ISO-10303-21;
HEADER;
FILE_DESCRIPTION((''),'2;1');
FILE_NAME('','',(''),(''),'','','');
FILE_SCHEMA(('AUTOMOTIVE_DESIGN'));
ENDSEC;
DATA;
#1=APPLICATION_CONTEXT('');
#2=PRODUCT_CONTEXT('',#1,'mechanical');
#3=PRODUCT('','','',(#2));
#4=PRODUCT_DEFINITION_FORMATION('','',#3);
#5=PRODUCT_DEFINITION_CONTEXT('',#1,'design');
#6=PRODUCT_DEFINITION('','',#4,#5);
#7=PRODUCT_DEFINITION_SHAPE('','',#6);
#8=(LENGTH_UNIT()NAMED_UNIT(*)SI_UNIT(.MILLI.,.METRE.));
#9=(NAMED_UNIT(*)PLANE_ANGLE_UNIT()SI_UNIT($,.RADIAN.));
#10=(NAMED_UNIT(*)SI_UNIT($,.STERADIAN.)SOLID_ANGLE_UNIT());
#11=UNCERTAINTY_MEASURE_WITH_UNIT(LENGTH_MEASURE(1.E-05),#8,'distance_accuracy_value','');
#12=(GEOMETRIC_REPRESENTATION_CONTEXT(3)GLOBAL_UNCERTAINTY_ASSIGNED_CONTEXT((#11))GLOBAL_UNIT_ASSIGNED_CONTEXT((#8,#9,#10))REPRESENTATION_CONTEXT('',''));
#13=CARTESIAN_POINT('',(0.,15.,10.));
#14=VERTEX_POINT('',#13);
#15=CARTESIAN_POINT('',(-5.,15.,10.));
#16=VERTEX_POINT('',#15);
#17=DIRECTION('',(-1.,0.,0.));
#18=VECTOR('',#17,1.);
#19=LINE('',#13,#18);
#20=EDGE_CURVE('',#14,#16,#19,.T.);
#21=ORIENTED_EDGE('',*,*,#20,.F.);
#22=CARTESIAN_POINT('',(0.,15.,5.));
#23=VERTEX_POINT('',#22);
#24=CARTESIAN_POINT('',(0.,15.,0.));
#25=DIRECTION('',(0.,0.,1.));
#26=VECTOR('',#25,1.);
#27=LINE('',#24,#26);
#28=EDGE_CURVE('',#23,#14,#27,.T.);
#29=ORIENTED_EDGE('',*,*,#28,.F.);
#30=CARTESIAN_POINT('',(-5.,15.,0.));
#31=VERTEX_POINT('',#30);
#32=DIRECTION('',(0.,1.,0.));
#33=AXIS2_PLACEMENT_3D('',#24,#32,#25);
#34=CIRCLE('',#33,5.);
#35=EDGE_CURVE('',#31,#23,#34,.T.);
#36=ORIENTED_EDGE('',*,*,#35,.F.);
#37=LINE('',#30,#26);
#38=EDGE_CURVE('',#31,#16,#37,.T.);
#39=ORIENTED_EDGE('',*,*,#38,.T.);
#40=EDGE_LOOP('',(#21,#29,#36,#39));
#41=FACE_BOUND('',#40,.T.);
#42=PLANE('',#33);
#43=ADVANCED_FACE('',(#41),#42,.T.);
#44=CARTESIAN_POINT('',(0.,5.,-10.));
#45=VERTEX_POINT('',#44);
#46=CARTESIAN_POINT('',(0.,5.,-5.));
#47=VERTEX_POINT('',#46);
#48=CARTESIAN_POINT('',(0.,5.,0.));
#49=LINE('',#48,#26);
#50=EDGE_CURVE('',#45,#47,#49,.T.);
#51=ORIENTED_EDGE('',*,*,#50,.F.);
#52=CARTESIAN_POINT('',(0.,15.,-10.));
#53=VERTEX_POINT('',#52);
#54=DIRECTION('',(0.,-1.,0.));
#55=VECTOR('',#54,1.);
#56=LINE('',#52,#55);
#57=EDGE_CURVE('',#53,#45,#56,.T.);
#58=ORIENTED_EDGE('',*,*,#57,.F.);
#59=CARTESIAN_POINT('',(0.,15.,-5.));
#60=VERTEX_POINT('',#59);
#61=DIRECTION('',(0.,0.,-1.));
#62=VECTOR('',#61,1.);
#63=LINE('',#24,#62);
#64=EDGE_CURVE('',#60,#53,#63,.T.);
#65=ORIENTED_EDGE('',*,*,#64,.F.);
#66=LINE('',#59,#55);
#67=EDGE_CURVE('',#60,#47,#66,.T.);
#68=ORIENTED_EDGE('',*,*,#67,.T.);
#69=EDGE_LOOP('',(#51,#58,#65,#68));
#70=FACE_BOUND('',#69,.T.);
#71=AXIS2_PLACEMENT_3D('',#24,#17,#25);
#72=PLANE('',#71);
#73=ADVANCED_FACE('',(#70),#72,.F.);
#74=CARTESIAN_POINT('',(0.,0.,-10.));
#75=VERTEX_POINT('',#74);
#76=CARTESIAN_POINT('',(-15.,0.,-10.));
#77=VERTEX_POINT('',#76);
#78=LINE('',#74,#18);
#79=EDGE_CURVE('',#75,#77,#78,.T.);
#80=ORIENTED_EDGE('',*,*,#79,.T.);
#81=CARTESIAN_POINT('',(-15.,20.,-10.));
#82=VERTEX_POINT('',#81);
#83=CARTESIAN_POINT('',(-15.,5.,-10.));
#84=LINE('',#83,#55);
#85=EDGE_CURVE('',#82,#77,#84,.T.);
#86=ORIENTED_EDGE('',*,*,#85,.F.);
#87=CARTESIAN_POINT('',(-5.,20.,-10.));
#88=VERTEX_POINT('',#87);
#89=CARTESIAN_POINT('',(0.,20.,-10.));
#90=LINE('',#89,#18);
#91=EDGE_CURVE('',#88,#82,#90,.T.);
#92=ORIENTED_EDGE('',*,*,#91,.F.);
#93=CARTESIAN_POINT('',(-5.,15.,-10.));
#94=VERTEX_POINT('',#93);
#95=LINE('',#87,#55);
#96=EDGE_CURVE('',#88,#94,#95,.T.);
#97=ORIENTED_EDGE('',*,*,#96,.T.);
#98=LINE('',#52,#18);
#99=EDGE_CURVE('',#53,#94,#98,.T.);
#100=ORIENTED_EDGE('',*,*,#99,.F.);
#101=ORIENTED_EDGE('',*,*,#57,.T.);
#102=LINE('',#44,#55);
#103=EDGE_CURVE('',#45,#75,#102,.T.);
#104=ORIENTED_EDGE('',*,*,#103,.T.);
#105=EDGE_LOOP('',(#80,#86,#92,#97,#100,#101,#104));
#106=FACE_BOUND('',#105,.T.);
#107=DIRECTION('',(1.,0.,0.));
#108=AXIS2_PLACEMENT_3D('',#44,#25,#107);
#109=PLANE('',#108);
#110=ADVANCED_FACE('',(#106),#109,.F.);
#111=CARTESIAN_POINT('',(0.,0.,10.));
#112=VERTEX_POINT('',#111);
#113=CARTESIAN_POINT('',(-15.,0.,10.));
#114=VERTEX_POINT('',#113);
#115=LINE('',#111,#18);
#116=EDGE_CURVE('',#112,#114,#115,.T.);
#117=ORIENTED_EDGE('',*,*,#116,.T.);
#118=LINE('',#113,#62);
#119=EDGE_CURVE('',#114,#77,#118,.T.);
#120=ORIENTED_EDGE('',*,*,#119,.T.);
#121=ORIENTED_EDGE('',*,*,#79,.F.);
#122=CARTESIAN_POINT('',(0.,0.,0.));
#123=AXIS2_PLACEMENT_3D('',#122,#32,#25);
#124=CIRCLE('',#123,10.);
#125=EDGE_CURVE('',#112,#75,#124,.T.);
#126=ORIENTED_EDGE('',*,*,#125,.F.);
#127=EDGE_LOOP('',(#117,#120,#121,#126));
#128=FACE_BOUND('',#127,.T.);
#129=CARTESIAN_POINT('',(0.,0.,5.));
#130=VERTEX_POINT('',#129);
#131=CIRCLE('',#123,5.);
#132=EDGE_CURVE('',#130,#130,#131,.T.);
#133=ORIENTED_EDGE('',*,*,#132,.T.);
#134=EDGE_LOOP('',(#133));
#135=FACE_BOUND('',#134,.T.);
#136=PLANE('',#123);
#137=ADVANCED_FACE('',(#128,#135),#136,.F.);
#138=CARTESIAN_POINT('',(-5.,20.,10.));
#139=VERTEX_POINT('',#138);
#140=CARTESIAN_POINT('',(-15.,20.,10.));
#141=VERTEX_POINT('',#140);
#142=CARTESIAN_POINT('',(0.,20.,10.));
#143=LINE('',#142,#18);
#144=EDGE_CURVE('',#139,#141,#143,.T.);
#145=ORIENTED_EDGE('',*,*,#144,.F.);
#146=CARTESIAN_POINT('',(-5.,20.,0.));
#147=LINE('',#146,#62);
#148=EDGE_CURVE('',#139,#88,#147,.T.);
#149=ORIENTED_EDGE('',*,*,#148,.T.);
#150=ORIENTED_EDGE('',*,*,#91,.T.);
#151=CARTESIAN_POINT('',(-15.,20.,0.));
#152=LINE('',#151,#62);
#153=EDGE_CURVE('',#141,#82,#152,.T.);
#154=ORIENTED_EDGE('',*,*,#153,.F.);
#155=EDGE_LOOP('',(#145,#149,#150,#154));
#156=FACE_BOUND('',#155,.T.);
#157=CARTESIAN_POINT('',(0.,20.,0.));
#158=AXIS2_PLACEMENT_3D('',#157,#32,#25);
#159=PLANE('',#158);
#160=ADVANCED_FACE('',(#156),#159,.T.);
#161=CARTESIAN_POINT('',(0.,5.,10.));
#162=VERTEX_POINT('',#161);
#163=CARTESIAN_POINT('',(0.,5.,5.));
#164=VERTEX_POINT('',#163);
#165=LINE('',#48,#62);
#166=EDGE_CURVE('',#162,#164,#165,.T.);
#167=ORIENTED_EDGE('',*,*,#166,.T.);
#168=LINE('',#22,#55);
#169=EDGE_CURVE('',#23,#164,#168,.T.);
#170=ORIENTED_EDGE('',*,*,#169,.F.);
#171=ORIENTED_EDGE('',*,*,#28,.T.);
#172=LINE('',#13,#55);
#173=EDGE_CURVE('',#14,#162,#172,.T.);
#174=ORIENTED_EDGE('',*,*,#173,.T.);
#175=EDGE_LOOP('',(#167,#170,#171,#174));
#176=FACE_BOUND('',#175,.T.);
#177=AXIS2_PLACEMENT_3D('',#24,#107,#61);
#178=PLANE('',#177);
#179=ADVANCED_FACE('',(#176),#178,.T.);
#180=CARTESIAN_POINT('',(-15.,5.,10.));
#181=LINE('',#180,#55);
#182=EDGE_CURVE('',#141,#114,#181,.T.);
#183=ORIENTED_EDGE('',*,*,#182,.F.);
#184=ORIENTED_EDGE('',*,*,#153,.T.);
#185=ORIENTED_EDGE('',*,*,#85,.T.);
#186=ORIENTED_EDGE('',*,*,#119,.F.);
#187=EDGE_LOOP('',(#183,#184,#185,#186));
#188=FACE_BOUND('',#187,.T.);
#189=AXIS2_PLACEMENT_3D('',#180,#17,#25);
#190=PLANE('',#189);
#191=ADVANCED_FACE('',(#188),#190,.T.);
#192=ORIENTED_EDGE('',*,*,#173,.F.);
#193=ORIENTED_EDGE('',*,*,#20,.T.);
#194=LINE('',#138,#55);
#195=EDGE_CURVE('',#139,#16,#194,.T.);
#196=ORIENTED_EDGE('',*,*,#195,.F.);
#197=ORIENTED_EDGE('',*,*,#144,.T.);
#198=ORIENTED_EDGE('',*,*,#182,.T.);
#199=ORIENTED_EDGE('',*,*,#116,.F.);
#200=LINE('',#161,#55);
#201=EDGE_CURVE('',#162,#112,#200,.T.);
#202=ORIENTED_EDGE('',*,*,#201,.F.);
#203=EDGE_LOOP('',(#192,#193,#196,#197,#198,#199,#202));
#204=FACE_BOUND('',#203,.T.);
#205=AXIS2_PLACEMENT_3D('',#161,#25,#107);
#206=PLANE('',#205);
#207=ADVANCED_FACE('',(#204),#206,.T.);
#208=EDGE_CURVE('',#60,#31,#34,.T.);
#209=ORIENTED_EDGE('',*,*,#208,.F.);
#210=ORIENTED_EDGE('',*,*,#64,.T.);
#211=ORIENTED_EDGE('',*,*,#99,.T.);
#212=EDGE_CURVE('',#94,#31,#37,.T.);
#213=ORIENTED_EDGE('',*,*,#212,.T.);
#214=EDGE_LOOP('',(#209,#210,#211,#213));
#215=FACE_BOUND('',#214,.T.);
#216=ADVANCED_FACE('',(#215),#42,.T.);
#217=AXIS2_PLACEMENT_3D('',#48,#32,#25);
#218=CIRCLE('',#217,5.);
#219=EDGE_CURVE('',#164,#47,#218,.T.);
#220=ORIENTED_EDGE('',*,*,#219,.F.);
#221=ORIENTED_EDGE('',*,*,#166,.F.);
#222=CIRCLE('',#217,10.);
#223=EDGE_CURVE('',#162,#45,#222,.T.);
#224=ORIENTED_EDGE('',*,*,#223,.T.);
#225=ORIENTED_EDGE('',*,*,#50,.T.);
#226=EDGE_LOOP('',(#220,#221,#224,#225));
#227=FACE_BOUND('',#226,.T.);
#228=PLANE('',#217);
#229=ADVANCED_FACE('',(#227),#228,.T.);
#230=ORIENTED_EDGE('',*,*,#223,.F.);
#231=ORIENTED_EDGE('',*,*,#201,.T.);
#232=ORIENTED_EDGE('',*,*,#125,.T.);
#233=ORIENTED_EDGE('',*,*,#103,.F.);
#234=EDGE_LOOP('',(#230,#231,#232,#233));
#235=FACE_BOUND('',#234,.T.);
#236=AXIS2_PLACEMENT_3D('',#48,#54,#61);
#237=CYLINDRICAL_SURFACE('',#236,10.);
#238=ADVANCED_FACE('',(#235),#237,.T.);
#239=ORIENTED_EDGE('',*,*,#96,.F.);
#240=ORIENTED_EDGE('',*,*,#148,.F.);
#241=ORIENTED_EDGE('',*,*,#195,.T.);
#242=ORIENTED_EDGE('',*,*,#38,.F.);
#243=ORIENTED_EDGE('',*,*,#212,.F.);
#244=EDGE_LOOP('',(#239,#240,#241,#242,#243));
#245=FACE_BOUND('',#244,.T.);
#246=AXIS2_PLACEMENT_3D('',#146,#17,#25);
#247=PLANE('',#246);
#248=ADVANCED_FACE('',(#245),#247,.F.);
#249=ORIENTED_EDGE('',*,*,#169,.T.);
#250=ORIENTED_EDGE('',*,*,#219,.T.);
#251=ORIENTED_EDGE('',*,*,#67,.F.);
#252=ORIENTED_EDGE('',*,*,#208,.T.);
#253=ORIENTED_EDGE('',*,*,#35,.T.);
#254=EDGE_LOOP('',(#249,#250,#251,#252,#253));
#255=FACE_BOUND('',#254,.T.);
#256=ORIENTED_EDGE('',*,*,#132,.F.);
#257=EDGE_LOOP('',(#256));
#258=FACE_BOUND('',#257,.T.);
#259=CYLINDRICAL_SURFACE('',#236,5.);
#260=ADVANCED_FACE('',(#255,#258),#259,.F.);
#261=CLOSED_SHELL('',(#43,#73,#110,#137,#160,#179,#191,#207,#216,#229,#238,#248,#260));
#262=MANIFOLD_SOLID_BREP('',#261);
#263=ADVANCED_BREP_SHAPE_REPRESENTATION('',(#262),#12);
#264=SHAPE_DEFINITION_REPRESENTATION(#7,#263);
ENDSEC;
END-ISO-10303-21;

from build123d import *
from build123d.topology import SkipClean

# Parameters (mm, degrees)
SKETCH_1_R      = 5.000000000000002
EXTRUDE_2_DEPTH = 5
EXTRUDE_4_DEPTH = 15
EXTRUDE_5_DEPTH = 20


with BuildPart() as part:
    # 草圖1 → 填料-伸長2 (new body)
    with BuildSketch(Plane(origin=(0, 0, 0), x_dir=(1, 0, 0), z_dir=(0, 1, 0))):
        with BuildLine():
            Line((-15, -10.000000000000002), (0, -10))
            ThreePointArc((0, -10), (10, 2.8e-16), (1.22e-15, 10))
            Line((4.1e-16, 10), (-15, 10))
            Line((-15, 9.999999999999998), (-15, -10.000000000000002))
        make_face()
        Circle(SKETCH_1_R, mode=Mode.SUBTRACT)
    extrude(amount=EXTRUDE_2_DEPTH)

    # 草圖1<4> → 填料-伸長4 (add)
    with BuildSketch(Plane(origin=(0, 0, 0), x_dir=(1, 0, 0), z_dir=(0, 1, 0))):
        with BuildLine():
            Line((-15, -10.000000000000002), (0, -10))
            Line((0, -10), (0, -5))
            ThreePointArc((0, -5), (-5, -3.1e-16), (-6.1e-16, 5))
            Line((0, 5), (0, 10))
            Line((4.1e-16, 10), (-15, 10))
            Line((-15, 9.999999999999998), (-15, -10.000000000000002))
        make_face()
    extrude(amount=EXTRUDE_4_DEPTH)

    # 草圖1<5> → 填料-伸長5 (add)
    with SkipClean():  # the faces are left unmerged after this step: merging them gives an invalid solid
        with BuildSketch(Plane(origin=(0, 0, 0), x_dir=(1, 0, 0), z_dir=(0, 1, 0))):
            Polygon((-15, -10.000000000000002), (-5, -10), (-5, -3.55e-15), (-5, 10), (-15, 10), align=None)
        extrude(amount=EXTRUDE_5_DEPTH)


solid = part.part
